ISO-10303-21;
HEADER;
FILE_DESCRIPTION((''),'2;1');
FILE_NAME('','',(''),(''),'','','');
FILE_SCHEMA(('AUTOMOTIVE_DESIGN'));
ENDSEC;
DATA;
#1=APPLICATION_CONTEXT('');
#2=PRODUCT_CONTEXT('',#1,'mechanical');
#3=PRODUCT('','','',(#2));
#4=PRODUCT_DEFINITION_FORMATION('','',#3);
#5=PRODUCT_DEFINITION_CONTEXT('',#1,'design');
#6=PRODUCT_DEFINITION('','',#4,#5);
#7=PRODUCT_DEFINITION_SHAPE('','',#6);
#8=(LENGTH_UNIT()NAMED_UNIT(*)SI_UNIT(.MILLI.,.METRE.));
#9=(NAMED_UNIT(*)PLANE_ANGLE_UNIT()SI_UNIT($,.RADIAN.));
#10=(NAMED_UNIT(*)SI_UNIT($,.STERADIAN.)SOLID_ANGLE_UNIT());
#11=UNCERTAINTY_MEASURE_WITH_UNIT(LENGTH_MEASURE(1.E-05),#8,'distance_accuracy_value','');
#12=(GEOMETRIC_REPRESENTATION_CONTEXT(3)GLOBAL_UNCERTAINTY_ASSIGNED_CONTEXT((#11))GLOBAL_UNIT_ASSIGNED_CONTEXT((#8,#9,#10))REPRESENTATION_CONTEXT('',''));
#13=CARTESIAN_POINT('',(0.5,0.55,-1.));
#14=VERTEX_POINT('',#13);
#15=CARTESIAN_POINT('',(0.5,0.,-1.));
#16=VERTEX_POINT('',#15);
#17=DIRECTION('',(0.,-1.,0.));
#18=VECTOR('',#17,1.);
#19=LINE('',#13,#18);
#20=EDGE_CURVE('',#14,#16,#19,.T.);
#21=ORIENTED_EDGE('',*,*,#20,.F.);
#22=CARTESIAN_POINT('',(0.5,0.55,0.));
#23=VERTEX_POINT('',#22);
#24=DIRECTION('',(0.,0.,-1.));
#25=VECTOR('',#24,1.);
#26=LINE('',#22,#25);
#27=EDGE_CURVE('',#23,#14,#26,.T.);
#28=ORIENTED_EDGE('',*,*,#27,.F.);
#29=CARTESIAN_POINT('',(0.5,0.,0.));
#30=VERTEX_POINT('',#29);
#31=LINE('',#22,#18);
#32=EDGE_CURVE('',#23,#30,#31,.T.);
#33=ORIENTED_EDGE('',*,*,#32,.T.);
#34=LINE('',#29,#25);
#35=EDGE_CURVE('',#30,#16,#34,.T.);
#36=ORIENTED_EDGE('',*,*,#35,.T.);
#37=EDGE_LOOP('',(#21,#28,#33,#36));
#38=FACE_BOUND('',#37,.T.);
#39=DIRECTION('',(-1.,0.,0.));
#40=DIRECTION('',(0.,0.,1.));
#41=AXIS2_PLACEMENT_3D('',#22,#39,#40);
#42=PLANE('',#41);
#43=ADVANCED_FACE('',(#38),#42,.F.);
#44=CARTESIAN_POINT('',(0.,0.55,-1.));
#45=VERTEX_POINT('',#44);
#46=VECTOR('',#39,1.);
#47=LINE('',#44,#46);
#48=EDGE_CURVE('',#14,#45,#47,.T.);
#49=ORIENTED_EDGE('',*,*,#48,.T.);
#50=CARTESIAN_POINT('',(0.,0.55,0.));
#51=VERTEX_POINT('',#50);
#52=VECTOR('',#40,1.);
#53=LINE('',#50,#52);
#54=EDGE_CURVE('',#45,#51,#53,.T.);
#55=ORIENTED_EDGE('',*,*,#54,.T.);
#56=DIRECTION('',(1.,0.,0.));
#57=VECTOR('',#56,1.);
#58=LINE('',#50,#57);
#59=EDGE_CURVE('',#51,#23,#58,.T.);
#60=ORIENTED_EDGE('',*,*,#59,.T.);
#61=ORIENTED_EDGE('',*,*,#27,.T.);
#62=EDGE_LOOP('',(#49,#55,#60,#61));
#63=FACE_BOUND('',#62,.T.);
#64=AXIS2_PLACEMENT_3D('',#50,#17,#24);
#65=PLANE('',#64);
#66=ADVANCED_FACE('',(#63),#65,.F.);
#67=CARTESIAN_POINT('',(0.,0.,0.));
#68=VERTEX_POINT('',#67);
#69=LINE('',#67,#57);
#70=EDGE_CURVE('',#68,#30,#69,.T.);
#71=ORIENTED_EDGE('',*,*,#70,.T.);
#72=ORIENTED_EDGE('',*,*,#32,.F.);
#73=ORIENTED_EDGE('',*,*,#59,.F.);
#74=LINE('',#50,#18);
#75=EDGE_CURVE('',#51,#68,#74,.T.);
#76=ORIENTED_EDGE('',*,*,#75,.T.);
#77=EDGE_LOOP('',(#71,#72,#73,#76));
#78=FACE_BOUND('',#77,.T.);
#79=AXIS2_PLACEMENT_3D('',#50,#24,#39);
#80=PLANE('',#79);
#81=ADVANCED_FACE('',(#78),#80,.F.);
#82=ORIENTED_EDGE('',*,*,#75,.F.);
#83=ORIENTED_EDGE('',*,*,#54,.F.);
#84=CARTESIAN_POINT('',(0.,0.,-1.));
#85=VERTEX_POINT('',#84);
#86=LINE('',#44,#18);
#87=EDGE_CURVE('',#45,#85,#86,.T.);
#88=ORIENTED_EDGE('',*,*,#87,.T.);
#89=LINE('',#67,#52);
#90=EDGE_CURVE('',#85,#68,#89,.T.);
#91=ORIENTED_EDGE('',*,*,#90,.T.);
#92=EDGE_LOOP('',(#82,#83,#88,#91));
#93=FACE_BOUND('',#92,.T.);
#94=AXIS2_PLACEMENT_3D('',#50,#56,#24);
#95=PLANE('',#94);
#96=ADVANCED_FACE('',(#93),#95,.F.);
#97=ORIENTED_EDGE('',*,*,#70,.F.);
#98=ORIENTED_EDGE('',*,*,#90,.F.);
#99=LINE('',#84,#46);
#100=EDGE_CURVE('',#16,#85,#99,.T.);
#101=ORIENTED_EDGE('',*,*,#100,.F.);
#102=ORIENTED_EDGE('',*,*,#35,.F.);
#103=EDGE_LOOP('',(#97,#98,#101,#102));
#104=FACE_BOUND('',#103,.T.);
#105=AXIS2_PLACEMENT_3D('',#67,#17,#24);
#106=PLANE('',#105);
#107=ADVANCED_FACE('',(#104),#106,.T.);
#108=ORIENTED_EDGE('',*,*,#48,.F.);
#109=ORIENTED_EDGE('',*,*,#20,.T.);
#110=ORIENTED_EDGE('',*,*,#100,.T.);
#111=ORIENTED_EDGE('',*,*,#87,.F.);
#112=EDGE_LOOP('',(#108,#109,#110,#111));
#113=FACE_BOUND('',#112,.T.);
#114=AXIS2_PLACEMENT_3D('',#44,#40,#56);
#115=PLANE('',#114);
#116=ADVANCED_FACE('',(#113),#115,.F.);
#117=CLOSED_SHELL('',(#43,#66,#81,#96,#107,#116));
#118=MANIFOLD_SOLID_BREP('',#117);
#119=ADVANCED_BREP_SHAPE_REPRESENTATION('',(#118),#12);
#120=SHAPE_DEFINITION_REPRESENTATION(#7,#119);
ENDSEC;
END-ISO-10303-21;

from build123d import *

# Parameters (mm, degrees)
SKETCH1_W           = 0.5
SKETCH1_H           = 1
BOSS_EXTRUDE2_DEPTH = 0.55


with BuildPart() as part:
    # Sketch1 → Boss-Extrude2 (new body)
    with BuildSketch(Plane(origin=(0, 0, 0), x_dir=(1, 0, 0), z_dir=(0, 1, 0))):
        with Locations((0.25, 0.5)):
            Rectangle(SKETCH1_W, SKETCH1_H)
    extrude(amount=BOSS_EXTRUDE2_DEPTH)


solid = part.part
